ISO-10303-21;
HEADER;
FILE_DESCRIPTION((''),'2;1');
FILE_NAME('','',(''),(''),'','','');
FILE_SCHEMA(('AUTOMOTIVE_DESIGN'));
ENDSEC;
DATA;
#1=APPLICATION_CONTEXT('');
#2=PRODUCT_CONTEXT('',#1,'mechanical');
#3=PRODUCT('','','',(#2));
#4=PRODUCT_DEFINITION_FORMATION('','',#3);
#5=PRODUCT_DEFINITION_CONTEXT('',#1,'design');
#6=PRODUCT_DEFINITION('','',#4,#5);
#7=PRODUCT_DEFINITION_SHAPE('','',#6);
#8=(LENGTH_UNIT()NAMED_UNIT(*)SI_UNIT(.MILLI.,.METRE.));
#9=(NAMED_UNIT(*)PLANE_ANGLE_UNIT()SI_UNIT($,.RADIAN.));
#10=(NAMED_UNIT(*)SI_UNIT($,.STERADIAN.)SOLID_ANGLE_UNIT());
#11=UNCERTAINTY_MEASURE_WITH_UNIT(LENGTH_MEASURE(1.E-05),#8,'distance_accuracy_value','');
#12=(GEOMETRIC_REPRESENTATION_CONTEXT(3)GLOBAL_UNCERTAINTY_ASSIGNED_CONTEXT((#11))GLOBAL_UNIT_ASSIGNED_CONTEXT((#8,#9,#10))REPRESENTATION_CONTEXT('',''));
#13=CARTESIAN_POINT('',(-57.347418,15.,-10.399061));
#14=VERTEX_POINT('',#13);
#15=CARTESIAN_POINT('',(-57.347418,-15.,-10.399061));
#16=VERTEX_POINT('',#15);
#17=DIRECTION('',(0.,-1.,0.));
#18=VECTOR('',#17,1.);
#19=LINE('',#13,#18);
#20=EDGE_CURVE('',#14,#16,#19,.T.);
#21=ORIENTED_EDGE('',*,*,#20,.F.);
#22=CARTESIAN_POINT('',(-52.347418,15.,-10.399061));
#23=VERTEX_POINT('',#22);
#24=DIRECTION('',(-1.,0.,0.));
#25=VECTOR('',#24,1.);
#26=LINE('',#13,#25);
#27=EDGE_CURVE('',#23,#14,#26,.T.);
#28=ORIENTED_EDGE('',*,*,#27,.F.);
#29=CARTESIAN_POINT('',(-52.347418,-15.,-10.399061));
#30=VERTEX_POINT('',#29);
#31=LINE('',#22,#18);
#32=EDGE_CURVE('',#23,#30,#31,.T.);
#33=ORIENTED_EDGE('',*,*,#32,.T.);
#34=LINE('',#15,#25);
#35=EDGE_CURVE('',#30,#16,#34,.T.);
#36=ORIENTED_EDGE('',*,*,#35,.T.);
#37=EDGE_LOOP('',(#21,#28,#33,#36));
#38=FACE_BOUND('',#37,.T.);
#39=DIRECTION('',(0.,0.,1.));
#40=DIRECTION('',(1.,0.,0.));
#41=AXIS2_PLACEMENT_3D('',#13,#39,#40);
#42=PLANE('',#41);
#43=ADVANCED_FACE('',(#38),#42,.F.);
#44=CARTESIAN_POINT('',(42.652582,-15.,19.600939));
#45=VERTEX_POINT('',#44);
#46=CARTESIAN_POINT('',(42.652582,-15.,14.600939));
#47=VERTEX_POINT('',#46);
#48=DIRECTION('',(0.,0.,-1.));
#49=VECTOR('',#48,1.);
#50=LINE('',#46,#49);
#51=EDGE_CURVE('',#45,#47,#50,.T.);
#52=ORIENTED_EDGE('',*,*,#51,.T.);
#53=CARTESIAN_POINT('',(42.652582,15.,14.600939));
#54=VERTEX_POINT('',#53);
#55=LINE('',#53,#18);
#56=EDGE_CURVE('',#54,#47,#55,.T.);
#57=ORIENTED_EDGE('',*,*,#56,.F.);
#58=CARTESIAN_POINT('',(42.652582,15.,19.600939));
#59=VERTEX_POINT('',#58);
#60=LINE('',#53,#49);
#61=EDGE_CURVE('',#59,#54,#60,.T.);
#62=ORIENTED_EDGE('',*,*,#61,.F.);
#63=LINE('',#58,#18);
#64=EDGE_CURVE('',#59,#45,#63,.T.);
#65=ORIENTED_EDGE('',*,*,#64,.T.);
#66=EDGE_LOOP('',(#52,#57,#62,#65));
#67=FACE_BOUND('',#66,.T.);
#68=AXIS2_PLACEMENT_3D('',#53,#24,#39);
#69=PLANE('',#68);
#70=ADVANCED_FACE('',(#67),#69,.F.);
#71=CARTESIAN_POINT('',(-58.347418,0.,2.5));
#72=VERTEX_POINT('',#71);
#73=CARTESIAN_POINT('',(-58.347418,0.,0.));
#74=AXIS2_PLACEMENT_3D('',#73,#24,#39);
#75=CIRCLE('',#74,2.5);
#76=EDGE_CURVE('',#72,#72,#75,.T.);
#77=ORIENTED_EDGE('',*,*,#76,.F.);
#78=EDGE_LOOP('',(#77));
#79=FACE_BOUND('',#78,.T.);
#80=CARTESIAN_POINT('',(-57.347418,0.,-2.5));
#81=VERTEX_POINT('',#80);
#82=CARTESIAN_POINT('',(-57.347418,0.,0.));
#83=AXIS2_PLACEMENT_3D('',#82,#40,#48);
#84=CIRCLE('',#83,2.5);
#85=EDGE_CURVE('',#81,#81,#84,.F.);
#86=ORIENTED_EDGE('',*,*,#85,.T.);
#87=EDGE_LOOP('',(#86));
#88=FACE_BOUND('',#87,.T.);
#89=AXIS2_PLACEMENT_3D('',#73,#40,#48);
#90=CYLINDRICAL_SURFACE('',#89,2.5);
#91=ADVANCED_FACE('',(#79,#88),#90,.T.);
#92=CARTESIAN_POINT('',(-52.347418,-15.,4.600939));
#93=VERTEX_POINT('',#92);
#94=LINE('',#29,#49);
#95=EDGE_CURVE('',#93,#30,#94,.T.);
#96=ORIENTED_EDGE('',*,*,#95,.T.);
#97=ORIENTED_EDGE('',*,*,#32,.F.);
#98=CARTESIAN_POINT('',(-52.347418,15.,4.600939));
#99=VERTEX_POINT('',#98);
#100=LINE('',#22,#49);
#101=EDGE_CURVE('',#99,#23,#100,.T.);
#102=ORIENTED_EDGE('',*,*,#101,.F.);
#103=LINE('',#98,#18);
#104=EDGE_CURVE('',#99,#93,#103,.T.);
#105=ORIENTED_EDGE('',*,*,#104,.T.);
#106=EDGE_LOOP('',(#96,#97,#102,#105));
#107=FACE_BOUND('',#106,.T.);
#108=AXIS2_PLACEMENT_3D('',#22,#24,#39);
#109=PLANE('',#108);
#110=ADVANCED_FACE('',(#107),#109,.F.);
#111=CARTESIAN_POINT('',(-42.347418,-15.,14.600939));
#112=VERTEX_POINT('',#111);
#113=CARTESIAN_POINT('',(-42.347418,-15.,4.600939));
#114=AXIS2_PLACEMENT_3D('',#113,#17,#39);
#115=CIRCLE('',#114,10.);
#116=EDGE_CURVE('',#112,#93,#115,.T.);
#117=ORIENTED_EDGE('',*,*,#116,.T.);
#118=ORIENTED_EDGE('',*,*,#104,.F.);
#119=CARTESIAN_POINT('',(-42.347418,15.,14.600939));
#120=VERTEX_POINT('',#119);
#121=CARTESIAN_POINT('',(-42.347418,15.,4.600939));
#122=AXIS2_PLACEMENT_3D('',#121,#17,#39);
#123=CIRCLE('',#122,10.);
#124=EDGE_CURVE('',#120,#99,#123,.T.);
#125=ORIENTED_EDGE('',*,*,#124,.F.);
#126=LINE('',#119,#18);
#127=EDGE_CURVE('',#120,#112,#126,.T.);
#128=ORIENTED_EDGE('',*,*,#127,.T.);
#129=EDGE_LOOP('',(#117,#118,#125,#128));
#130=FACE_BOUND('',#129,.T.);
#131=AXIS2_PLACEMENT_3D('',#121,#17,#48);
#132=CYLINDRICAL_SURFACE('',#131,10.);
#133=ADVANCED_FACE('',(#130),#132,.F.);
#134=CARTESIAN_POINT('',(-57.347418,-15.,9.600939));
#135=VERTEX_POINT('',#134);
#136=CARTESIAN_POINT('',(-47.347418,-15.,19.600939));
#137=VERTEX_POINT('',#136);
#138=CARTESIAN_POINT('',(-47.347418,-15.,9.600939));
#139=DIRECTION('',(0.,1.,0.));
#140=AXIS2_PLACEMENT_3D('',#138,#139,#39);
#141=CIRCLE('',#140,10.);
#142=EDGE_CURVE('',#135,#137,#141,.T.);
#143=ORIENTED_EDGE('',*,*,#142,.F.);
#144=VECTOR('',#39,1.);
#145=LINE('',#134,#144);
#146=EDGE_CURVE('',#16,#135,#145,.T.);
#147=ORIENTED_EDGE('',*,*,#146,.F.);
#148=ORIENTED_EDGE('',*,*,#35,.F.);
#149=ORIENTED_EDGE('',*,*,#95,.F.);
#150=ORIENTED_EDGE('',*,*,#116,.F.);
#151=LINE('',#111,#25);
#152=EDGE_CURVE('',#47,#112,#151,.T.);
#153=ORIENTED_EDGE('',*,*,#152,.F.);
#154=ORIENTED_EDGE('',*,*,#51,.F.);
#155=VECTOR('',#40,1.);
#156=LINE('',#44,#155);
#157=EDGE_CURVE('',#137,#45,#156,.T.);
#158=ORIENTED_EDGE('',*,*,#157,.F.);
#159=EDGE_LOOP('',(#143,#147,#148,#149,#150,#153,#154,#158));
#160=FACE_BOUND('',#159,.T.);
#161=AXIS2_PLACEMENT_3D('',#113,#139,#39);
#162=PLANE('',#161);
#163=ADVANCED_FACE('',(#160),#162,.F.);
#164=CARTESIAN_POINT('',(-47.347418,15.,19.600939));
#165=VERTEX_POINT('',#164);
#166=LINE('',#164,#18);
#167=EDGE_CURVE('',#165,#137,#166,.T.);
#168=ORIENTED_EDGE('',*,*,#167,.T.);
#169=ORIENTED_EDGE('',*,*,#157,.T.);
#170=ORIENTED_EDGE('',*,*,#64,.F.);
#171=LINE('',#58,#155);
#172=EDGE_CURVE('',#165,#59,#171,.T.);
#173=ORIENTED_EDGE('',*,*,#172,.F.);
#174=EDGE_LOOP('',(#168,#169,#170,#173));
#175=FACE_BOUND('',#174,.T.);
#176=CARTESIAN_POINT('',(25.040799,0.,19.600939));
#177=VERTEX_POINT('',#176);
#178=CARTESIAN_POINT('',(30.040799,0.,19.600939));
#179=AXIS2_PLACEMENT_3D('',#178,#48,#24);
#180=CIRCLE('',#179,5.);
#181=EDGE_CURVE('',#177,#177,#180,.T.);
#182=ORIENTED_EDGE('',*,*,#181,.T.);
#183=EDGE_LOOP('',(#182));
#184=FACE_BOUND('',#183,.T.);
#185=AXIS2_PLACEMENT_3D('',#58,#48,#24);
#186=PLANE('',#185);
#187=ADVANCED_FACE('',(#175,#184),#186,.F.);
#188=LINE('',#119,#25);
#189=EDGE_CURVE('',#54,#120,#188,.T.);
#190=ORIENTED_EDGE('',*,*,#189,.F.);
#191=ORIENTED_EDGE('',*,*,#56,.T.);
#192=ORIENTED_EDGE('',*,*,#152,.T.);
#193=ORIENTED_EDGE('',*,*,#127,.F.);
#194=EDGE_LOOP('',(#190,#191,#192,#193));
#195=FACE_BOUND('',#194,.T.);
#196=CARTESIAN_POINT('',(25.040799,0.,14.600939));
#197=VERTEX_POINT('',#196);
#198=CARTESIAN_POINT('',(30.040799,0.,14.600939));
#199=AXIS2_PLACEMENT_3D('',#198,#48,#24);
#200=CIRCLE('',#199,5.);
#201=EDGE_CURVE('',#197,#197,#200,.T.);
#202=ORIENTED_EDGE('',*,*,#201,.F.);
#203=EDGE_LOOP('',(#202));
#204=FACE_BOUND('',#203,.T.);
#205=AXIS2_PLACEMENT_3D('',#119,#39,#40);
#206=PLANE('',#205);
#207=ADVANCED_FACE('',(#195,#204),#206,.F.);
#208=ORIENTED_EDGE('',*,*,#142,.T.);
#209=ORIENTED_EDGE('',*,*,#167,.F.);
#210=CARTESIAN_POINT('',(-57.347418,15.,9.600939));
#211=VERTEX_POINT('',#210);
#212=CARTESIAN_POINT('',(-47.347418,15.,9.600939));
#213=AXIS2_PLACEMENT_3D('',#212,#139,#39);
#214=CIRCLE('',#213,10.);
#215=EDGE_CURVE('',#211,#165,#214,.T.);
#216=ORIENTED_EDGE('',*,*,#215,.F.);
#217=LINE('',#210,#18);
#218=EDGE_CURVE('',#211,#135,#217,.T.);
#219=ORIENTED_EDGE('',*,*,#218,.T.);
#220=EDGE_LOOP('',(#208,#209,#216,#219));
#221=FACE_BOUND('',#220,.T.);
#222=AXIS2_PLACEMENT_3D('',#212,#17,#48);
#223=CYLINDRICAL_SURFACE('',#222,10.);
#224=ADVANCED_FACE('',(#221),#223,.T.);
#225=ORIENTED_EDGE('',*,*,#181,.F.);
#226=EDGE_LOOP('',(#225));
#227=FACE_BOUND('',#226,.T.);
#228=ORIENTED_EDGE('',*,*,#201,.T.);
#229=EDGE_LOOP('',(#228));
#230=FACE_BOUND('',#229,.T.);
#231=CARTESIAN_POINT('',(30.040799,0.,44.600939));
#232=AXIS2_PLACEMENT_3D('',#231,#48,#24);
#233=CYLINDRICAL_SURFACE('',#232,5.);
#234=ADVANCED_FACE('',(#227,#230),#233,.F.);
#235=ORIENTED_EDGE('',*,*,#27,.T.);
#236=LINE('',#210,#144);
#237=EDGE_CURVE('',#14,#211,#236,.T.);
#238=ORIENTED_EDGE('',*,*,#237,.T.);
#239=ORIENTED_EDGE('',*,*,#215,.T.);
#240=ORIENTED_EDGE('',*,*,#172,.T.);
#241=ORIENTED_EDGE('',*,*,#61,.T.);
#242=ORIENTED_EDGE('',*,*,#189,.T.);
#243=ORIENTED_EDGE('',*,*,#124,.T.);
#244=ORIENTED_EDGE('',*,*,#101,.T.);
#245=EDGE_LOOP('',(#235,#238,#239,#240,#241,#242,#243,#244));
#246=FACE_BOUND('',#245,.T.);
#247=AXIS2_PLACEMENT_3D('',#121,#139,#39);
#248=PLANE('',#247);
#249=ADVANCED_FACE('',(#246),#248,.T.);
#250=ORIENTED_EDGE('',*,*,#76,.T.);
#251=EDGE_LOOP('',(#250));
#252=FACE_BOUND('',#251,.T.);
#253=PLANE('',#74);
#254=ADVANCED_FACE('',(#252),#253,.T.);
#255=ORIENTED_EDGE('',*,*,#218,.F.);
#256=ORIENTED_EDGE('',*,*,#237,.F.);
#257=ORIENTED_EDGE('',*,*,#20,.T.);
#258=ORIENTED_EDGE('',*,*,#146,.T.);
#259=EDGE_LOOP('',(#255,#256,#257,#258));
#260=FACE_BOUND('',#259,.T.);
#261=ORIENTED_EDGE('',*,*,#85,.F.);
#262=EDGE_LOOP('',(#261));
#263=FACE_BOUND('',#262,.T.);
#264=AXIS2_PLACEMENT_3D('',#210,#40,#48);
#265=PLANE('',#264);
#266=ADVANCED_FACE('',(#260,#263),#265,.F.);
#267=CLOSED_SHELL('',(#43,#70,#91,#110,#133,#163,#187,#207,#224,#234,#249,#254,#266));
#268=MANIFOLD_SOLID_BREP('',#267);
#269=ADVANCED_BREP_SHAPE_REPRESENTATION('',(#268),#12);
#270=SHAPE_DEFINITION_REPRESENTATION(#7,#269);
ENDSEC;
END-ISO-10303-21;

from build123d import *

# Parameters (mm, degrees)
BOSS_EXTRUDE1_DEPTH = 15
SKETCH2_R           = 5
CUT_EXTRUDE1_DEPTH  = 30
SKETCH3_R           = 2.5
BOSS_EXTRUDE2_DEPTH = 1


with BuildPart() as part:
    # Sketch1 → Boss-Extrude1 (new, symmetric)
    with BuildSketch(Plane(origin=(0, 0, 0), x_dir=(1, 0, 0), z_dir=(0, 1, 0))):
        with BuildLine():
            Line((-57.34741784, 10.399061033), (-52.34741784, 10.399061033))
            Line((-52.34741784, 10.399061033), (-52.34741784, -4.600938967))
            ThreePointArc((-52.34741784, -4.600938967), (-49.418485652, -11.672006779), (-42.34741784, -14.600938967))
            Line((-42.34741784, -14.600938967), (42.65258216, -14.600938967))
            Line((42.65258216, -14.600938967), (42.65258216, -19.600938967))
            Line((42.65258216, -19.600938967), (-47.34741784, -19.600938967))
            ThreePointArc((-47.34741784, -19.600938967), (-54.418485652, -16.672006779), (-57.34741784, -9.600938967))
            Line((-57.34741784, -9.600938967), (-57.34741784, 10.399061033))
        make_face()
    extrude(amount=BOSS_EXTRUDE1_DEPTH, both=True)

    # Sketch2 → Cut-Extrude1 (cut)
    with BuildSketch(Plane(origin=(0, 0, 14.600938967), x_dir=(-1, 0, 0), z_dir=(0, 0, -1))):
        with Locations((-30.040799479, 0)):
            Circle(SKETCH2_R)
    extrude(amount=-CUT_EXTRUDE1_DEPTH, mode=Mode.SUBTRACT)

    # Sketch3 → Boss-Extrude2 (add)
    with BuildSketch(Plane.ZY.offset(57.34741784)):
        with Locations(Location((0, 0, 0), (0, 0, 180))):
            Circle(SKETCH3_R)
    extrude(amount=BOSS_EXTRUDE2_DEPTH)


solid = part.part
